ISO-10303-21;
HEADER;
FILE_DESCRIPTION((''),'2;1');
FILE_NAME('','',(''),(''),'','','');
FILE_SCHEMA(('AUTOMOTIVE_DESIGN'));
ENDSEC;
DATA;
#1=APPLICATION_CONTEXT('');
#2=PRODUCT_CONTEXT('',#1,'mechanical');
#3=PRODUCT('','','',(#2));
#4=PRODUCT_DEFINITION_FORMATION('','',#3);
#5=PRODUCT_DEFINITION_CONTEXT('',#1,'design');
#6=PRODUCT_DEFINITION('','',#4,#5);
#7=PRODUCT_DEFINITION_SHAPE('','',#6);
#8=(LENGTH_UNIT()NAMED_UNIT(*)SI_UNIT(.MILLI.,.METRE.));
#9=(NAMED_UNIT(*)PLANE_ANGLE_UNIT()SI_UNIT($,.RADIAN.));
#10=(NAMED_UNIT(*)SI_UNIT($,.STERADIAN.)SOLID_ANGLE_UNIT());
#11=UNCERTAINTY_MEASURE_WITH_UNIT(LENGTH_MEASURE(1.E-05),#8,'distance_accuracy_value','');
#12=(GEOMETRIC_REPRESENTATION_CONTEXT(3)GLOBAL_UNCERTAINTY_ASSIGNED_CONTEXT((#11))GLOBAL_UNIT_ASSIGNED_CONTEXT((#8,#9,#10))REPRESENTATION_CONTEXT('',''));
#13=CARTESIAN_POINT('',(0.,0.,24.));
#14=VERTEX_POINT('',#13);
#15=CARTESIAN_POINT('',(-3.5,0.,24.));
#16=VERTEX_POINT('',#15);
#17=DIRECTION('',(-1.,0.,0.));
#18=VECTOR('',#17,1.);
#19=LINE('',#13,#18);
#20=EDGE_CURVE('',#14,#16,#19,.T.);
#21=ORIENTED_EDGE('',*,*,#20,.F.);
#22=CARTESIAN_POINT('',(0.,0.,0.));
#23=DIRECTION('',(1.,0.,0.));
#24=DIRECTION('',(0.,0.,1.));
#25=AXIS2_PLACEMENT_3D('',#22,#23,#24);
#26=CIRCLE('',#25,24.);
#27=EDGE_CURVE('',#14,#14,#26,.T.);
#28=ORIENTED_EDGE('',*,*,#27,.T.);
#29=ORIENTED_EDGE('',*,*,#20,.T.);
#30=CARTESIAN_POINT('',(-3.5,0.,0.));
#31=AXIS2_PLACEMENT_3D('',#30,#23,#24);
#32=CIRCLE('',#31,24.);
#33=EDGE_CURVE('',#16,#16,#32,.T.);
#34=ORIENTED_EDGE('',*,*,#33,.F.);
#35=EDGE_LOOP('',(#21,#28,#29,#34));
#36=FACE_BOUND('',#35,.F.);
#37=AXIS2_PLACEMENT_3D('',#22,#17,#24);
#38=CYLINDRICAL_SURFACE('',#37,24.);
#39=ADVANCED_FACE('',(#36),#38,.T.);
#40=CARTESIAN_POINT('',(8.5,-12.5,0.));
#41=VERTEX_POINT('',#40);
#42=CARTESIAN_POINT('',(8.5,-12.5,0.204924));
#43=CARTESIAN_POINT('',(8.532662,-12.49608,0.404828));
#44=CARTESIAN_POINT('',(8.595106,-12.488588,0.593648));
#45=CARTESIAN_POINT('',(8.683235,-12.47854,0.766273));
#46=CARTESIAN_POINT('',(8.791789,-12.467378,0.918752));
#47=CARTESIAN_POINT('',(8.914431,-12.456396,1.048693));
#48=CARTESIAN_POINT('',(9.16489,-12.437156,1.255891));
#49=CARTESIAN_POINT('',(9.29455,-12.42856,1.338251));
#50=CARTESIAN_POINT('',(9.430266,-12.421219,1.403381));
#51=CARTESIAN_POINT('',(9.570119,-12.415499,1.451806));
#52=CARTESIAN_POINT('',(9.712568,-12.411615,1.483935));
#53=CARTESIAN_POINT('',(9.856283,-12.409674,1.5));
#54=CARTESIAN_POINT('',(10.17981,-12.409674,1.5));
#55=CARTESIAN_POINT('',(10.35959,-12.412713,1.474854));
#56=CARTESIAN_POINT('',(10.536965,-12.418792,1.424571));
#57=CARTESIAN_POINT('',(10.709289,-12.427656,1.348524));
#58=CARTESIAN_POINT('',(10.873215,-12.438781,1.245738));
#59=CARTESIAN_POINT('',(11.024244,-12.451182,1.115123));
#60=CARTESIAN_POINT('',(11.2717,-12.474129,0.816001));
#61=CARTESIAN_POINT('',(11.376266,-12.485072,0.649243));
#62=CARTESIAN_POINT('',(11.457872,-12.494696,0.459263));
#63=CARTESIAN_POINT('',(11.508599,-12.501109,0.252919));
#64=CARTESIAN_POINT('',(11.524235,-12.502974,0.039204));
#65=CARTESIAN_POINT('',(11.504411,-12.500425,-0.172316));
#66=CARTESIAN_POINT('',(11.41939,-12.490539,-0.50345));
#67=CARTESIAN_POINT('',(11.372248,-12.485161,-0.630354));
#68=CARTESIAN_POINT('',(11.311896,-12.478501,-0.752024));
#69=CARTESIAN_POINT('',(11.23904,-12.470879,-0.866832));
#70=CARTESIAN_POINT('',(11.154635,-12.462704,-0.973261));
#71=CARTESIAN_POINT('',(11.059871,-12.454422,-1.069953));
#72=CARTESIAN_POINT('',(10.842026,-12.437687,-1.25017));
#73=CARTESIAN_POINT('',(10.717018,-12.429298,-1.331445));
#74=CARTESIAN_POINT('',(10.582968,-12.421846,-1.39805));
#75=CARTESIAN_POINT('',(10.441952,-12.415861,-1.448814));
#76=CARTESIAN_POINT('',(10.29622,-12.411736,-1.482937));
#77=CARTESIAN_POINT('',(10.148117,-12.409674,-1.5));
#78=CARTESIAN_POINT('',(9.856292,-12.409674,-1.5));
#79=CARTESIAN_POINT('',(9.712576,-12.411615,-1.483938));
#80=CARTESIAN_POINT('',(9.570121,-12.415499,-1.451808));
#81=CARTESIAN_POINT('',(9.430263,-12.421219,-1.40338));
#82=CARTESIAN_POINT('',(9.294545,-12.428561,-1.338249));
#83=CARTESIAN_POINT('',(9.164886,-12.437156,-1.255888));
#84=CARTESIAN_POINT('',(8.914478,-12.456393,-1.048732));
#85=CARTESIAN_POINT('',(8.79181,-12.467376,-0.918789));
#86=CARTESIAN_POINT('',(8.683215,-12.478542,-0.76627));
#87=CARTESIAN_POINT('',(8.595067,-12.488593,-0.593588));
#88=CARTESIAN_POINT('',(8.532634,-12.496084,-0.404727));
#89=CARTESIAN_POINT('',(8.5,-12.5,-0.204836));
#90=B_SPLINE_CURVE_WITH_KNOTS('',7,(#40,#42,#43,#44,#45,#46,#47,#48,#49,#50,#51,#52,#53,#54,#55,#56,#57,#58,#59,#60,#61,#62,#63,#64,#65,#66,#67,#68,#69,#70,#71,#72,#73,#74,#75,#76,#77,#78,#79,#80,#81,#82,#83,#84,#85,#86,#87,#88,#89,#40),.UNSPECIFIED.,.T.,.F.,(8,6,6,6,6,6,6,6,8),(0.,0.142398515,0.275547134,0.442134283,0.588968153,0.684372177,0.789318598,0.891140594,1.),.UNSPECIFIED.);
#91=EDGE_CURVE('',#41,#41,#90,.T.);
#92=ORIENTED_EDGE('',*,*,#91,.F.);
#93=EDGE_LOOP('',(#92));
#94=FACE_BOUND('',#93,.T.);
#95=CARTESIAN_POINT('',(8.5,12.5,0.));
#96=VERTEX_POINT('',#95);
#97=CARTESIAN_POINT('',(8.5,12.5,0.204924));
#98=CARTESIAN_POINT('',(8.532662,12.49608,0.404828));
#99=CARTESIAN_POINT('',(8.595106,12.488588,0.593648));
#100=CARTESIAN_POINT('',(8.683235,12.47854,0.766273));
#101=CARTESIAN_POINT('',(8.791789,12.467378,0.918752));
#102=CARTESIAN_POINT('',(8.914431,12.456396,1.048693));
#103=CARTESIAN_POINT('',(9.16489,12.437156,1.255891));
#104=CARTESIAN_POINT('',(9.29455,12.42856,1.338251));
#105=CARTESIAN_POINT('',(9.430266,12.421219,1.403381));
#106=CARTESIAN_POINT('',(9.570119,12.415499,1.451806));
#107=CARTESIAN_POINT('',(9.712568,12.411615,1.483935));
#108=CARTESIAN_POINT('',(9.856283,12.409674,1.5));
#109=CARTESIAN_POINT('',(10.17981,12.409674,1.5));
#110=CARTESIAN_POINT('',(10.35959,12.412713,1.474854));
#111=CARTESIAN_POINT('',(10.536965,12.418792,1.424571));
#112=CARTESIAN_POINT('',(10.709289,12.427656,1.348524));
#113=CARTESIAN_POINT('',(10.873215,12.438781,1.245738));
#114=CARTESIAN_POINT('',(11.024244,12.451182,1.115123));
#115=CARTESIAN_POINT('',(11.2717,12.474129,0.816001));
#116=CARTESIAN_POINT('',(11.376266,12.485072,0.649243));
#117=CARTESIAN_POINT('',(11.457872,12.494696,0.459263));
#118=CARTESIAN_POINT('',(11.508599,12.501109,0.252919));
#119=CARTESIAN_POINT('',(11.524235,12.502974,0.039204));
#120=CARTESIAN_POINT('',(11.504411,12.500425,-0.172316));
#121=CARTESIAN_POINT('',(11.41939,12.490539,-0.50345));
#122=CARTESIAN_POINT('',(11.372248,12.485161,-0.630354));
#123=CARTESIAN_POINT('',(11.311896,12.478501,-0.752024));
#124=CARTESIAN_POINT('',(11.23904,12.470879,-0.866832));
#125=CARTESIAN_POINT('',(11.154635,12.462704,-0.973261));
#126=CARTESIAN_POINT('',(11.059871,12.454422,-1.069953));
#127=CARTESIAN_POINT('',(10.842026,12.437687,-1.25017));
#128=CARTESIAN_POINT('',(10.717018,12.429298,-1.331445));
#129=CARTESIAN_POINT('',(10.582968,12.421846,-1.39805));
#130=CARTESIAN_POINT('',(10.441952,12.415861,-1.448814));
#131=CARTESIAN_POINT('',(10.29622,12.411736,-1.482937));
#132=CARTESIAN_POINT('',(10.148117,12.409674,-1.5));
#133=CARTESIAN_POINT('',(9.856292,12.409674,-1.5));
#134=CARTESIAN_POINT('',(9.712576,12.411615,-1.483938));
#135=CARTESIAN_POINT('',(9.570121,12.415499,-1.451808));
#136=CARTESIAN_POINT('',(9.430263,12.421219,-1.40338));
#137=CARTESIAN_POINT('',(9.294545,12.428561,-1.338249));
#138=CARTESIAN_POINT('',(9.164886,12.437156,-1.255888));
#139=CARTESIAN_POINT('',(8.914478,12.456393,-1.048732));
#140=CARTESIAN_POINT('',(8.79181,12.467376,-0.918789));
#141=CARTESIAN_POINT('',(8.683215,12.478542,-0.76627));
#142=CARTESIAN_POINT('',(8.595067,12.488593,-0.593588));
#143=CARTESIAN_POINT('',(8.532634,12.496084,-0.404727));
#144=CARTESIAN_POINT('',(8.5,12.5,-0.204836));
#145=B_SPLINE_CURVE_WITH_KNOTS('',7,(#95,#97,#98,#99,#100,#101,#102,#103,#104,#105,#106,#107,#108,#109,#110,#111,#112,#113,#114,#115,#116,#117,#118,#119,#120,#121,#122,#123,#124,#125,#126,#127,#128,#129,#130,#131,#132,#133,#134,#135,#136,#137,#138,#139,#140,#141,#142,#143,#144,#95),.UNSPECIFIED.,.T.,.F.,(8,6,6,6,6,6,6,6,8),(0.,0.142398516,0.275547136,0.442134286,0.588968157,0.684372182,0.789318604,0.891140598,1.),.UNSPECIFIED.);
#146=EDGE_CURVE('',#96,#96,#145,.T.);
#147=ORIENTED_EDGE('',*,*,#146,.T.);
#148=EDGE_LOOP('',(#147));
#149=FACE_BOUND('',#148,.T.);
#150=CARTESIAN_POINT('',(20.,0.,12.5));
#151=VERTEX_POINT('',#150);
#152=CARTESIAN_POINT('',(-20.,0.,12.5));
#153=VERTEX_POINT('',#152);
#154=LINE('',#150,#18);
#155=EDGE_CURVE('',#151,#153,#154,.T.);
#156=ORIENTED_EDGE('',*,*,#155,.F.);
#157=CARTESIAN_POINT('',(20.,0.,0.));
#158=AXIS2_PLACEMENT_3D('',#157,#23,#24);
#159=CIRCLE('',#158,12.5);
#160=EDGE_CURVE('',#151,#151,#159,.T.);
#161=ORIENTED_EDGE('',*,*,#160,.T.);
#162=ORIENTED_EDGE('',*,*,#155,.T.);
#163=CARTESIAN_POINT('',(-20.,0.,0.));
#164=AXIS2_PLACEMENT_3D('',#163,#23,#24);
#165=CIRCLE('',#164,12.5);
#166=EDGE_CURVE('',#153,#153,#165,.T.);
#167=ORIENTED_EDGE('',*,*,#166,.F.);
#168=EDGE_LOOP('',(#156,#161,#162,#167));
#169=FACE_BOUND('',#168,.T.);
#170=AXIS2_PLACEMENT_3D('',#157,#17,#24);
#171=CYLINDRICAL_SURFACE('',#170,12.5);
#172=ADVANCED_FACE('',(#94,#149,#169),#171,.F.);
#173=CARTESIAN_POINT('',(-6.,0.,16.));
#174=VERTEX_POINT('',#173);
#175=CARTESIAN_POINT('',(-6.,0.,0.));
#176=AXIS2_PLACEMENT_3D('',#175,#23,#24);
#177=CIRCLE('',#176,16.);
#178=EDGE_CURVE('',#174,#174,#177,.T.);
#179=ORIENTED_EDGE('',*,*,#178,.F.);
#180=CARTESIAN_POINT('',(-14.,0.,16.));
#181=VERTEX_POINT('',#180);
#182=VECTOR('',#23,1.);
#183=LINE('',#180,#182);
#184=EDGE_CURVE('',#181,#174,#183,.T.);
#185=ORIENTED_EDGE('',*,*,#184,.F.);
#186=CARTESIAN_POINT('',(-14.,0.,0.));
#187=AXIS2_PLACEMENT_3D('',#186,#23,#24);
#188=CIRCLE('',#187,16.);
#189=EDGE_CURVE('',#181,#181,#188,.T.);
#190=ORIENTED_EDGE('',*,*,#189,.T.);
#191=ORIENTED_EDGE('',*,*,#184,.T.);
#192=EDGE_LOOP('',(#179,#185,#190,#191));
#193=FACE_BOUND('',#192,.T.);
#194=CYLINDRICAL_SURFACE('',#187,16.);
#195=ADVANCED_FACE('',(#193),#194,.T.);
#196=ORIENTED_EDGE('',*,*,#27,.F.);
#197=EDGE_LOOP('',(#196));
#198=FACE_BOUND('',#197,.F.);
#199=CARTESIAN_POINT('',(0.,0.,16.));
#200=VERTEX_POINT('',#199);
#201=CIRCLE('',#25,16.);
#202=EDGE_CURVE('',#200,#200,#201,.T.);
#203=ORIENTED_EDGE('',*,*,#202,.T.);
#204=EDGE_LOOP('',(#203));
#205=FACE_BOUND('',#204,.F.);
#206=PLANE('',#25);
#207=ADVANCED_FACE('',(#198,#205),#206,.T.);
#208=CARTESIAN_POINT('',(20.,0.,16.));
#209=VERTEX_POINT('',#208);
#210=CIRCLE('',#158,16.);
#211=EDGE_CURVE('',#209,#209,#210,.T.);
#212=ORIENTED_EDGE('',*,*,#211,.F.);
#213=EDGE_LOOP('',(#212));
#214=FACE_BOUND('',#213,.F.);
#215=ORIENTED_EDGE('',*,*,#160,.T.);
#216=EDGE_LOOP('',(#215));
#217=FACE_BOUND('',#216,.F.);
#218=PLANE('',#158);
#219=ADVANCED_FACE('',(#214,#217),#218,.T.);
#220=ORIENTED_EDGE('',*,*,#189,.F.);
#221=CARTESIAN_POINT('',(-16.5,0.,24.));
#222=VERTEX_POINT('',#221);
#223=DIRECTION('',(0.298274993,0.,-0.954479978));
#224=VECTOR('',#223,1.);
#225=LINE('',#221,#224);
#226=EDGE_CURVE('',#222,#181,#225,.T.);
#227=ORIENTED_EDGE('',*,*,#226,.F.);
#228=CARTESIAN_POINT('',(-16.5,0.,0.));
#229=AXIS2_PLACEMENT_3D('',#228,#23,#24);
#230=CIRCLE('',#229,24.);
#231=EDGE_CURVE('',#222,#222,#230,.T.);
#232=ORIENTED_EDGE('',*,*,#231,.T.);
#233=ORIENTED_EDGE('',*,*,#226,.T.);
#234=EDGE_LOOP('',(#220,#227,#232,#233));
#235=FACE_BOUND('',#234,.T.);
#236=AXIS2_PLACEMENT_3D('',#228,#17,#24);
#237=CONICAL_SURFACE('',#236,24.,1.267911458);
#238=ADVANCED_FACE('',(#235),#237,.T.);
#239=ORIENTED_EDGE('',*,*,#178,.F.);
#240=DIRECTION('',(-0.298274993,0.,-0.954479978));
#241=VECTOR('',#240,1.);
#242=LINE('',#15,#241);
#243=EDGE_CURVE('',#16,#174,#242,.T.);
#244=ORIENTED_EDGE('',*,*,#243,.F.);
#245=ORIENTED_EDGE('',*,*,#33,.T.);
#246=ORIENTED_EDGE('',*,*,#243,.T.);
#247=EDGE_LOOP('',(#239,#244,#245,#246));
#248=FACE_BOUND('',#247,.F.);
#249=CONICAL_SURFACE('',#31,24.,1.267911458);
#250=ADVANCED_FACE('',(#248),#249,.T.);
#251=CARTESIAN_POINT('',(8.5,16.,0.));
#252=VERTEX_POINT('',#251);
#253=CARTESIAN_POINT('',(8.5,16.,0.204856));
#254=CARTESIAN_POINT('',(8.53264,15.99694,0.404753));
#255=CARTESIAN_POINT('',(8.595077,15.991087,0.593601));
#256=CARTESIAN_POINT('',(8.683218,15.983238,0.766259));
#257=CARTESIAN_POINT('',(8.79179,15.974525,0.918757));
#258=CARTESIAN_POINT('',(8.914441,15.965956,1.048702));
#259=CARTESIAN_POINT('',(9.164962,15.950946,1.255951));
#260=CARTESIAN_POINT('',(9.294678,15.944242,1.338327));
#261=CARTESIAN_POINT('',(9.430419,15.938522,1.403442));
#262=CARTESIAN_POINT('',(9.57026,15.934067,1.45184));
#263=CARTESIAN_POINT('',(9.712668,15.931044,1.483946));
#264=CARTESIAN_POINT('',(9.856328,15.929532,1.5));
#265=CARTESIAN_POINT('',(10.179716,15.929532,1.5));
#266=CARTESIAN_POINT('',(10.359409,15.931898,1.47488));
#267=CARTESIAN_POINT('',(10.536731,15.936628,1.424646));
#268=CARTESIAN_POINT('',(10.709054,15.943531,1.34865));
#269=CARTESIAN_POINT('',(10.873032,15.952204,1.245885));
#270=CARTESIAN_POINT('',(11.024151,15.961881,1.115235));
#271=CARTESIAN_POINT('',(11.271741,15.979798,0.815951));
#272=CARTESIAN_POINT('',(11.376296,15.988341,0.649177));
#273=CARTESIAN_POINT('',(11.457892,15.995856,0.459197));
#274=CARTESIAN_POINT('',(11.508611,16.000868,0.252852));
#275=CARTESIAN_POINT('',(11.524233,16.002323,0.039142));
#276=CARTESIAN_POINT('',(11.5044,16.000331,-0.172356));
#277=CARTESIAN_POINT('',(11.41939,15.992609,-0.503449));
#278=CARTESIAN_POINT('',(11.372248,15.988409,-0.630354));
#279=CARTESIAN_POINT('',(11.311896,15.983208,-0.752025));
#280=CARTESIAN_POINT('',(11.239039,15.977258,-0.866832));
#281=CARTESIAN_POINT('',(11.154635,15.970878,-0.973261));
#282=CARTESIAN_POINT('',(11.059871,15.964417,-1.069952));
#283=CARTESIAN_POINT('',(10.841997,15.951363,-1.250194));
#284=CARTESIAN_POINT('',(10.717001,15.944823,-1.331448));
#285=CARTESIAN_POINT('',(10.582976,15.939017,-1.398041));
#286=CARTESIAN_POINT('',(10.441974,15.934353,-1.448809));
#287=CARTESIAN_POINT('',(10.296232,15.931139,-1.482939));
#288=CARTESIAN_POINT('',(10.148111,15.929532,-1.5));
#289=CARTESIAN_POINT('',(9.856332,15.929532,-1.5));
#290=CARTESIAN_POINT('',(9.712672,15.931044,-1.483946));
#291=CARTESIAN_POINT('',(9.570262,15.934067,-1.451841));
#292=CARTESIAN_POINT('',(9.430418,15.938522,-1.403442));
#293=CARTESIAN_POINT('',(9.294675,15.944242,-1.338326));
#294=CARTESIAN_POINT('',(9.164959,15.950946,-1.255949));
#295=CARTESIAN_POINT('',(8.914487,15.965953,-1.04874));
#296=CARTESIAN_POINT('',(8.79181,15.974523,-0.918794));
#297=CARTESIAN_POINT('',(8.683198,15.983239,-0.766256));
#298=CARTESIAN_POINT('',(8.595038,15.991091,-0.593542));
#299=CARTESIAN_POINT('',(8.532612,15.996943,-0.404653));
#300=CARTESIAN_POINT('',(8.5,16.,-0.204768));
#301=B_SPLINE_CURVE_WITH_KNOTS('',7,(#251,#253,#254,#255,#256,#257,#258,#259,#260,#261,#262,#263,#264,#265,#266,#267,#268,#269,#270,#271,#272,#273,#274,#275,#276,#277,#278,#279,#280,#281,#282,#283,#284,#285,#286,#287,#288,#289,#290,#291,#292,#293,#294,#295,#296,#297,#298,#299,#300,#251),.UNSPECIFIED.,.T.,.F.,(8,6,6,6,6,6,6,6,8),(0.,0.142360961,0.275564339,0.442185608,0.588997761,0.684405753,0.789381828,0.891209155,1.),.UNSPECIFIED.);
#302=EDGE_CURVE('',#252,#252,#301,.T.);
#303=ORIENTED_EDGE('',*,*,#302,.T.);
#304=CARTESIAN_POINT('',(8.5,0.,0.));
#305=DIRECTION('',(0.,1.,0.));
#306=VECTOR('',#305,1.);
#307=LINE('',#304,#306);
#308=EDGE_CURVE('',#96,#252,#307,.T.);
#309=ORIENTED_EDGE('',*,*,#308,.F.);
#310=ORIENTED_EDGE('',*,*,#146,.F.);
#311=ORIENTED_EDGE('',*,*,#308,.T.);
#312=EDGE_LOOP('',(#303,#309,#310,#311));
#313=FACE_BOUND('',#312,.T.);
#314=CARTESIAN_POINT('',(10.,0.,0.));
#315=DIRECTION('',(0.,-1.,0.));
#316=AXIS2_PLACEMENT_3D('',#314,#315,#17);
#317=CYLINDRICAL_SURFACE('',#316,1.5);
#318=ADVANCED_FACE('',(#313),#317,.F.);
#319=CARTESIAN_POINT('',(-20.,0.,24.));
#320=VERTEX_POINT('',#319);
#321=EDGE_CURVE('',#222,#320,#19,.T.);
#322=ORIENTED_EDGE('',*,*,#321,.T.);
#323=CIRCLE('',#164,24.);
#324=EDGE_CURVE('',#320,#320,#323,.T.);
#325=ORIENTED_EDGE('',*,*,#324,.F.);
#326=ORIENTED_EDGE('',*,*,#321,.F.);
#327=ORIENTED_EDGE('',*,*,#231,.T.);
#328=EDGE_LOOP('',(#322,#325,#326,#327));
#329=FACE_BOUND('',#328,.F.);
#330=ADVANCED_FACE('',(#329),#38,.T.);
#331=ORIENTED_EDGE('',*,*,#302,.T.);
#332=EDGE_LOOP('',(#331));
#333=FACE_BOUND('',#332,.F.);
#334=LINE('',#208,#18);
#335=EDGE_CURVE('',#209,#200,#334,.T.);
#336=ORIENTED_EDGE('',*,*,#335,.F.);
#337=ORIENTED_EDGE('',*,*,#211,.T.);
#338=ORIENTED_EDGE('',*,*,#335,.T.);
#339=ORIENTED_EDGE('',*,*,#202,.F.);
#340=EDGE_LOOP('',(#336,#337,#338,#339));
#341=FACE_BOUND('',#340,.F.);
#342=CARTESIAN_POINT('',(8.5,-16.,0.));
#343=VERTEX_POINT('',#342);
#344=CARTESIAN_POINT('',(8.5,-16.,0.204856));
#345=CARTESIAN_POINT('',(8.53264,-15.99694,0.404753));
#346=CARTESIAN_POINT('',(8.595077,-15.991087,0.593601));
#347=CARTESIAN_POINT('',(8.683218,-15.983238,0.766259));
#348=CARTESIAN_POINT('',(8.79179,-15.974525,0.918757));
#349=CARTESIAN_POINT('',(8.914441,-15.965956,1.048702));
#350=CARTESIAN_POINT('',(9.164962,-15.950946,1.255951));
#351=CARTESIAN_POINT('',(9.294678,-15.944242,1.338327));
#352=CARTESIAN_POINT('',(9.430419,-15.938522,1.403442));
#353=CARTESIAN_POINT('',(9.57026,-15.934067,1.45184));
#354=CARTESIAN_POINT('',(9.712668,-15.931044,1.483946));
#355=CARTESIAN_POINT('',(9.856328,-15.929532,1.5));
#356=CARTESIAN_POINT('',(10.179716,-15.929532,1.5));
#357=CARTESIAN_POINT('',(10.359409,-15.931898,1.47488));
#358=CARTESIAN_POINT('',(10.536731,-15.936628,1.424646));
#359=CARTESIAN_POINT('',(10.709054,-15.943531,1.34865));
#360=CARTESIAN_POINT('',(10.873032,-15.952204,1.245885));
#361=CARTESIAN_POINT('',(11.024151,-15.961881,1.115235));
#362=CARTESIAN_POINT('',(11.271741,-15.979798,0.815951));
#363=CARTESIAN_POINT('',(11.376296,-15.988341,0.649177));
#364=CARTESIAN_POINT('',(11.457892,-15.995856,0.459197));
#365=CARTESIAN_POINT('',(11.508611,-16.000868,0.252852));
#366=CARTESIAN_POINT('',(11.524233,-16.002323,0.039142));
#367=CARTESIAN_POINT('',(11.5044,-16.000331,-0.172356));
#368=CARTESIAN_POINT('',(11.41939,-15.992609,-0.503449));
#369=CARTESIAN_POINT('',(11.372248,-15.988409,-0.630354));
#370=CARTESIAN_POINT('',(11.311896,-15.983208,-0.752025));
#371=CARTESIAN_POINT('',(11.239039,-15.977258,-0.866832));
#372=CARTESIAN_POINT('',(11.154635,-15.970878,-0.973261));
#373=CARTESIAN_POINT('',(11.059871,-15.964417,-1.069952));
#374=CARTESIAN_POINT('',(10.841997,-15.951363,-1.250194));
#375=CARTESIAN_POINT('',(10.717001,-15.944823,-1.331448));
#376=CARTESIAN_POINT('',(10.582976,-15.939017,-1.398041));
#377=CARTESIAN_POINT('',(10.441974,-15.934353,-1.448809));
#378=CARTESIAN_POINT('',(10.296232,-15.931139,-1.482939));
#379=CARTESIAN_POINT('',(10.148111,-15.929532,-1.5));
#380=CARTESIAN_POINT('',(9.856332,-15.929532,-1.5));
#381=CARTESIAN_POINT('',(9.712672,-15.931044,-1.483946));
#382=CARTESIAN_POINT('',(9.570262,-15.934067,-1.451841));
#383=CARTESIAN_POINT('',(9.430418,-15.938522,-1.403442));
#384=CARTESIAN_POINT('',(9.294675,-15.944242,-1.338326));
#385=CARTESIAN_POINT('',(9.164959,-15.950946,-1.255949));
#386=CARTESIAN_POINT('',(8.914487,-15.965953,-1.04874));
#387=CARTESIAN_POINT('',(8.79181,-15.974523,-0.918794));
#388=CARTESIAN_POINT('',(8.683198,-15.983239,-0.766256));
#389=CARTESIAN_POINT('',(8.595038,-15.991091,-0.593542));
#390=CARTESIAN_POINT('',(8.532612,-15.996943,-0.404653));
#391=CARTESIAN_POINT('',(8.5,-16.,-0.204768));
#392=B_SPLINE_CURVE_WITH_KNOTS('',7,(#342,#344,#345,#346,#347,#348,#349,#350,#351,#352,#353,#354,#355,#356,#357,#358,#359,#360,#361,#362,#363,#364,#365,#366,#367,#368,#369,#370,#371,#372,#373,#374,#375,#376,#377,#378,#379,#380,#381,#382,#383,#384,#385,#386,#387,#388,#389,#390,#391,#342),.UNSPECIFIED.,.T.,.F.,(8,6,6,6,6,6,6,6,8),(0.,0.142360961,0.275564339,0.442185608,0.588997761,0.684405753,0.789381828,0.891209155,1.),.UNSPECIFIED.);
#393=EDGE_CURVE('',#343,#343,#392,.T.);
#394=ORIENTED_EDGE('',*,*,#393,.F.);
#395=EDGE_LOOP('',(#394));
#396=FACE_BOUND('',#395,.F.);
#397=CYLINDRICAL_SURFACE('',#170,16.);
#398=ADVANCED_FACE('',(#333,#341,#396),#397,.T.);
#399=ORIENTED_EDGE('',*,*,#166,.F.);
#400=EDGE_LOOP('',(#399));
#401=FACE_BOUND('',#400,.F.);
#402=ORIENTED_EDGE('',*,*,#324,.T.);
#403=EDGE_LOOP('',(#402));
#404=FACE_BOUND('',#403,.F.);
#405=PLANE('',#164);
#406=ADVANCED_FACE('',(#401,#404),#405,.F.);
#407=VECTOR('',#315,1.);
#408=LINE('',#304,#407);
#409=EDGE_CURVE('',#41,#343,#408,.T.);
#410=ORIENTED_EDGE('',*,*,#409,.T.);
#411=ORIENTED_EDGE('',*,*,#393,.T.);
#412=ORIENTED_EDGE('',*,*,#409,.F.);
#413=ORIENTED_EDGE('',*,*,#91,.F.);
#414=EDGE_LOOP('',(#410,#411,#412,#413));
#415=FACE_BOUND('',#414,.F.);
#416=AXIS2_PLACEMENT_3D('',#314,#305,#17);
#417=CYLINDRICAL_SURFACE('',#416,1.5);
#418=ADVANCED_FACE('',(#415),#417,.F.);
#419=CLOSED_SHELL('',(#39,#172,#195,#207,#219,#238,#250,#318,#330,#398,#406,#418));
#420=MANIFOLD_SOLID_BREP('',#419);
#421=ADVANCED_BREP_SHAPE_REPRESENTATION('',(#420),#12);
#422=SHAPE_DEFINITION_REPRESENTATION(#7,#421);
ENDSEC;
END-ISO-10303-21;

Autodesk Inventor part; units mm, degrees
ref_plane "YZ Plane" through (0, 0, 0) normal (1, 0, 0) x (0, 1, 0)
ref_plane "XZ Plane" through (0, 0, 0) normal (0, 1, 0) x (-1, 0, 0)
ref_plane "XY Plane" through (0, 0, 0) normal (0, 0, 1) x (1, 0, 0)
sketch "Эскиз1" plane through (0, 0, 0) normal (0, 1, 0) x (-1, 0, 0)
  line L0 (0, 24) -> (20, 24)
  line L1 (20, 24) -> (20, 0)
  line L2 (20, 0) -> (0, 0)
  line L3 (20, 24) -> (14, 24)
  line L4 (14, 16) -> (6, 16)
  line L5 (20, 0) -> (-20, 0)
  line L6 (-20, 0) -> (-20, 16)
  line L7 (-20, 16) -> (0, 16)
  line L8 (-20, 0) -> (-20, 12.5)
  line L9 (0, 16) -> (0, 24)
  line L10 (10, 24) -> (3.5, 24)
  line L11 (3.5, 24) -> (6, 16)
  line L12 (3.5, 24) -> (16.5, 24)
  line L13 (16.5, 24) -> (14, 16)
  line L14 (20, 0) -> (20, 16.5)
  line L15 (0, 0) -> (5, 0)
  line L16 (0, 16) -> (5, 16)
  line L17 (-20, 12.5) -> (5, 12.5)
  line L18 (5, 12.5) -> (20, 12.5)
  point P0 (16.5, 24)
  point P1 (20, 20.5)
  dimension "d0" = 24
  dimension "d1" = 20
  dimension "d3" = 8
  dimension "d5" = 40
  dimension "d6" = 16
  dimension "d7" = 12.5
  dimension "d15" = 6.5
  dimension "d16" = 13
revolve "Вращение4" add sketch "Эскиз1" angle 360 about axis through (-20, 0, 0) along (1, 0, 0) contours L0 L11 L4 L13 L1 L18 L17 L6 L7 L9
sketch "Эскиз4" plane through (0, 0, 0) normal (0, 1, 0) x (-1, 0, 0)
  line L0 (-20, 16) -> (-20, -16) projected
  line L1 (-20, 0) -> (0, 0)
  line L2 (0, 0) -> (-10, 0)
  circle A0 centre (-10, 0) radius 1.5
  dimension "d43" = 3
extrude "Выдавливание5" cut sketch "Эскиз4" along normal mid plane 59.25
thread "Резьба4" size "M3x0.5" class "6H" standard "ANSI Metric M Profile" full length
properties part number "17701729.303661.004"
